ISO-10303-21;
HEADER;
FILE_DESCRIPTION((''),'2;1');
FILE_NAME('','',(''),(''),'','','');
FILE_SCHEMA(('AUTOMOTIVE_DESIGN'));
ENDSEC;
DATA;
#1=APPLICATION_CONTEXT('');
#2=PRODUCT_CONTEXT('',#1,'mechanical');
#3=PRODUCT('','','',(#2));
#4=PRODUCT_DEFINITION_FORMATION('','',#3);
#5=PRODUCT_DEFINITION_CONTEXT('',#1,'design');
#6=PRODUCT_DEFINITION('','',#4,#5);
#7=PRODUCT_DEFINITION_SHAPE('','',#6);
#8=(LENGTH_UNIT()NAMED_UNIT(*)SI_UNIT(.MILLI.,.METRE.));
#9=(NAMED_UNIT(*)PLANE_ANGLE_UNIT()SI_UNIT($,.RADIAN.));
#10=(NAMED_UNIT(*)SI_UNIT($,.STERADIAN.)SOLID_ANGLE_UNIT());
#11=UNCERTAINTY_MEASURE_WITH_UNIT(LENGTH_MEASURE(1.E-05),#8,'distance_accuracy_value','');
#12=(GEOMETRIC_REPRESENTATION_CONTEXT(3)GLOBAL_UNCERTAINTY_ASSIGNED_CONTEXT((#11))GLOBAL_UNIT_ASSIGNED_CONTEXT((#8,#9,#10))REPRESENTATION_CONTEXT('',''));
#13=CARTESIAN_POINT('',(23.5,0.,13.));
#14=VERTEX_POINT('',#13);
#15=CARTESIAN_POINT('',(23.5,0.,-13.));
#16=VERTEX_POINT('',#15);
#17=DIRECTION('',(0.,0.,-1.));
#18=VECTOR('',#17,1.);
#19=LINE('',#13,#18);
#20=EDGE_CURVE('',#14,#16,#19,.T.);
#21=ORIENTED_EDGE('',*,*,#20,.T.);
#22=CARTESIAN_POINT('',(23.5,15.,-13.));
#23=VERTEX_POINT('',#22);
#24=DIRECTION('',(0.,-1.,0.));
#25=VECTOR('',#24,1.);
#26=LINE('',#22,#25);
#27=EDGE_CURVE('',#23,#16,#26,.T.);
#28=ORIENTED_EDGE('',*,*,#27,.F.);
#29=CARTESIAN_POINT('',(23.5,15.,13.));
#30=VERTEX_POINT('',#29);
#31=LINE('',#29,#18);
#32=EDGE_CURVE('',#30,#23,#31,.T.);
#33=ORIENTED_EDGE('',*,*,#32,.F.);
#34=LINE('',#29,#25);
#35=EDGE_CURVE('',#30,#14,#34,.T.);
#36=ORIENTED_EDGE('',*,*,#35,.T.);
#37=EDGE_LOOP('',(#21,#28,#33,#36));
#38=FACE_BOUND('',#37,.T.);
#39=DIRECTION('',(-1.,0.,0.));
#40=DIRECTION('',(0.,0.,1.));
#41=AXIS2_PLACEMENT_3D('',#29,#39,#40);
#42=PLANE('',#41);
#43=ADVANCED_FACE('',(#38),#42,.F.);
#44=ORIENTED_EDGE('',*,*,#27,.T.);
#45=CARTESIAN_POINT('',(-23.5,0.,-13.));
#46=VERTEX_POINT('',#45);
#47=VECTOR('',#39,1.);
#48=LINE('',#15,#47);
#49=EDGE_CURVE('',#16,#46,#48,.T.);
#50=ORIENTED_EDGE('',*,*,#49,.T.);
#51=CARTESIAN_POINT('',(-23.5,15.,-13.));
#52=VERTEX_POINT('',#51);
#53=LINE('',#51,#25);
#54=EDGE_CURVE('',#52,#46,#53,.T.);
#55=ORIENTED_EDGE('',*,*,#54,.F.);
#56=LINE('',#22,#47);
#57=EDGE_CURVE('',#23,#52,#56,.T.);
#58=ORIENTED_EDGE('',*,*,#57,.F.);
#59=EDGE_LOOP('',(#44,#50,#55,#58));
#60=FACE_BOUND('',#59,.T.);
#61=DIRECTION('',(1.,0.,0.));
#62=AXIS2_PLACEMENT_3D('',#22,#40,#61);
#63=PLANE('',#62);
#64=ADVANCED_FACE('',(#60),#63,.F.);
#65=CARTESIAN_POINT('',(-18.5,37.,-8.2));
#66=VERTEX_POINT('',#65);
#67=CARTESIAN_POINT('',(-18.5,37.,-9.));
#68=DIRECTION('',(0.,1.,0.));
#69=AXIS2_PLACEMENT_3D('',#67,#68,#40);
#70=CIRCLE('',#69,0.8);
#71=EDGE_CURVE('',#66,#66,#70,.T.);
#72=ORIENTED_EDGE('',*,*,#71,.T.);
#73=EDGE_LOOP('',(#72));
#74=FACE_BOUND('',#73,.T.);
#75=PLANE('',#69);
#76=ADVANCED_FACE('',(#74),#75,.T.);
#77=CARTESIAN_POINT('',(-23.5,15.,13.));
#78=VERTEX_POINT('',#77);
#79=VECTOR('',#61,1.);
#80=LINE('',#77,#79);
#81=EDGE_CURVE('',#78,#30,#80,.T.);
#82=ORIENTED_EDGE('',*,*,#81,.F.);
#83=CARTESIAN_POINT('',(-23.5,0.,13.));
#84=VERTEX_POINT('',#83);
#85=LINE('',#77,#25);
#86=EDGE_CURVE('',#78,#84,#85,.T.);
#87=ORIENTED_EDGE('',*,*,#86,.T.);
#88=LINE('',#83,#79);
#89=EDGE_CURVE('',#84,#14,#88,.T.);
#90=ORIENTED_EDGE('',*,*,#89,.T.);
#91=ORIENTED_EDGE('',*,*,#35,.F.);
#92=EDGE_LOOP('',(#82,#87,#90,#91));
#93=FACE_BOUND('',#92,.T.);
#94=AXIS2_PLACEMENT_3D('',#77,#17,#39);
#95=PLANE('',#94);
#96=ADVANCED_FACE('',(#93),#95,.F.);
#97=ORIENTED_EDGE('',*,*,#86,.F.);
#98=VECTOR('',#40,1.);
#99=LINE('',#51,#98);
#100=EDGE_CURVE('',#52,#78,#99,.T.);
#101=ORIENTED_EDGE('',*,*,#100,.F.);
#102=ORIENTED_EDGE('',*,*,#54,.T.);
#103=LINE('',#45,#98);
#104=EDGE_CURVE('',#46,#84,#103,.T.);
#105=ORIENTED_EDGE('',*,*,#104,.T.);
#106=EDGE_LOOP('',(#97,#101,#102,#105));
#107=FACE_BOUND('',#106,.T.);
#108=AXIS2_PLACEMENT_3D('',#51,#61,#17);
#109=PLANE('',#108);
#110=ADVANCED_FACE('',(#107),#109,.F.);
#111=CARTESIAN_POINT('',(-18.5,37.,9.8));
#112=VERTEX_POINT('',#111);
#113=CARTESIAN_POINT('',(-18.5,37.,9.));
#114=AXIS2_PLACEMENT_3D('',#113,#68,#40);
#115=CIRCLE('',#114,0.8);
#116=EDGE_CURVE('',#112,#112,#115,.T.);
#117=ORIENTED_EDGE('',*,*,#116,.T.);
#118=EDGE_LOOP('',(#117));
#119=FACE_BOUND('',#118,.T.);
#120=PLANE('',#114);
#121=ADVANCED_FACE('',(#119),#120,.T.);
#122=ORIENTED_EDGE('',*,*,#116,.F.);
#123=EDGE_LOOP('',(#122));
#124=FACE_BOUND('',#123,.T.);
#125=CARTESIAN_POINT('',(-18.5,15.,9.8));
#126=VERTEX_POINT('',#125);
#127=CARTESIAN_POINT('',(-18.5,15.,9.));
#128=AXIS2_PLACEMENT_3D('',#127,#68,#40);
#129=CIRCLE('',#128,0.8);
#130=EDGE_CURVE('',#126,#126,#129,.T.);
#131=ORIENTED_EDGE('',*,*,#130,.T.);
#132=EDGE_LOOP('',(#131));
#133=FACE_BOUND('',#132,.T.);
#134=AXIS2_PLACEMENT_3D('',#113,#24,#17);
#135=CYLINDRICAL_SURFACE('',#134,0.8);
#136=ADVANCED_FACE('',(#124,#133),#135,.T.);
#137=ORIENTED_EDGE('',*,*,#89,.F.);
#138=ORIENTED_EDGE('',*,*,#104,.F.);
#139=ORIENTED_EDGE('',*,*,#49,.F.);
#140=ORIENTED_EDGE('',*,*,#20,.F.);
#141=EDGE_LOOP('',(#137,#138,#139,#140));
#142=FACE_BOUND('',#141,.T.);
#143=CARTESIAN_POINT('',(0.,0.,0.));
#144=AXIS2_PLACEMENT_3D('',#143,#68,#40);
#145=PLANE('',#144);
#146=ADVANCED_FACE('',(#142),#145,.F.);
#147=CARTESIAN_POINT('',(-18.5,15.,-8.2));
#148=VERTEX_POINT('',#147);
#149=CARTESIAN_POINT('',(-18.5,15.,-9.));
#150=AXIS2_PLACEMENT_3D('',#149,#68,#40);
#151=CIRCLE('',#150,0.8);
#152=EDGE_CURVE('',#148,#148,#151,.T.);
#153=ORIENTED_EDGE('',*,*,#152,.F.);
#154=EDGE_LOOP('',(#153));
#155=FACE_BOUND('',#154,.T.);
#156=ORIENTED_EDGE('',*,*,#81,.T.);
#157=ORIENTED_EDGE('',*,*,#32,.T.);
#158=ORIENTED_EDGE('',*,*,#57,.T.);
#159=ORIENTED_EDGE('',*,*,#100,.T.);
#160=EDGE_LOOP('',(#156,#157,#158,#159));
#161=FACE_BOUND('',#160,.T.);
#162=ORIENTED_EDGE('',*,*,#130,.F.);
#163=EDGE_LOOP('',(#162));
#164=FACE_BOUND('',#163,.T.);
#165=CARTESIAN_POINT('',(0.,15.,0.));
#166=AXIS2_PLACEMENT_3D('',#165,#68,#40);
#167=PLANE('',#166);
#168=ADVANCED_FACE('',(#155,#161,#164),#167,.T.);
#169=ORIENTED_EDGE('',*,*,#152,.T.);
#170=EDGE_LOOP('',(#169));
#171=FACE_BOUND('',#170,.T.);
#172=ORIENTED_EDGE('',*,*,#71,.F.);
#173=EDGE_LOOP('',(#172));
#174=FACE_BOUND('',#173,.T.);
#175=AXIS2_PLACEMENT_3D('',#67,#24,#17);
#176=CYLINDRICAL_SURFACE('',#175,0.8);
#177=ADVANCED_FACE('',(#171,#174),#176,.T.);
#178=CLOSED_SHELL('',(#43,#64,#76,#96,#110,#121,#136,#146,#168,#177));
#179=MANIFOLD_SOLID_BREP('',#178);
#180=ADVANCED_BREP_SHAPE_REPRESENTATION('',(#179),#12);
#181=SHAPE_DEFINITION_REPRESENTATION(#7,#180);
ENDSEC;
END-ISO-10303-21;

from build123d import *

# Parameters (mm, degrees)
SK_P01_RECEIVER47X26X15_W  = 47
SK_P01_RECEIVER47X26X15_H  = 26
P01_RECEIVER47X26X15_DEPTH = 15
P02_ANTENNA_START          = 15
SK_P02_ANTENNA_R           = 0.8
P02_ANTENNA_DEPTH          = 22
P03_ANTENNA_START          = 15
SK_P03_ANTENNA_R           = 0.8
P03_ANTENNA_DEPTH          = 22


with BuildPart() as part:
    # SK_P01_Receiver47x26x15 → P01_Receiver47x26x15 (new body)
    with BuildSketch(Plane(origin=(0, 0, 0), x_dir=(1, 0, 0), z_dir=(0, 1, 0))):
        Rectangle(SK_P01_RECEIVER47X26X15_W, SK_P01_RECEIVER47X26X15_H)
    extrude(amount=P01_RECEIVER47X26X15_DEPTH)

    # SK_P02_Antenna → P02_Antenna (add)
    with BuildSketch(Plane(origin=(0, 0, 0), x_dir=(1, 0, 0), z_dir=(0, 1, 0)).offset(P02_ANTENNA_START)):
        with Locations(Location((-18.5, 9, 0), (0, 0, 270))):
            Circle(SK_P02_ANTENNA_R)
    extrude(amount=P02_ANTENNA_DEPTH)

    # SK_P03_Antenna → P03_Antenna (add)
    with BuildSketch(Plane(origin=(0, 0, 0), x_dir=(1, 0, 0), z_dir=(0, 1, 0)).offset(P03_ANTENNA_START)):
        with Locations(Location((-18.5, -9, 0), (0, 0, 270))):
            Circle(SK_P03_ANTENNA_R)
    extrude(amount=P03_ANTENNA_DEPTH)


solid = part.part
